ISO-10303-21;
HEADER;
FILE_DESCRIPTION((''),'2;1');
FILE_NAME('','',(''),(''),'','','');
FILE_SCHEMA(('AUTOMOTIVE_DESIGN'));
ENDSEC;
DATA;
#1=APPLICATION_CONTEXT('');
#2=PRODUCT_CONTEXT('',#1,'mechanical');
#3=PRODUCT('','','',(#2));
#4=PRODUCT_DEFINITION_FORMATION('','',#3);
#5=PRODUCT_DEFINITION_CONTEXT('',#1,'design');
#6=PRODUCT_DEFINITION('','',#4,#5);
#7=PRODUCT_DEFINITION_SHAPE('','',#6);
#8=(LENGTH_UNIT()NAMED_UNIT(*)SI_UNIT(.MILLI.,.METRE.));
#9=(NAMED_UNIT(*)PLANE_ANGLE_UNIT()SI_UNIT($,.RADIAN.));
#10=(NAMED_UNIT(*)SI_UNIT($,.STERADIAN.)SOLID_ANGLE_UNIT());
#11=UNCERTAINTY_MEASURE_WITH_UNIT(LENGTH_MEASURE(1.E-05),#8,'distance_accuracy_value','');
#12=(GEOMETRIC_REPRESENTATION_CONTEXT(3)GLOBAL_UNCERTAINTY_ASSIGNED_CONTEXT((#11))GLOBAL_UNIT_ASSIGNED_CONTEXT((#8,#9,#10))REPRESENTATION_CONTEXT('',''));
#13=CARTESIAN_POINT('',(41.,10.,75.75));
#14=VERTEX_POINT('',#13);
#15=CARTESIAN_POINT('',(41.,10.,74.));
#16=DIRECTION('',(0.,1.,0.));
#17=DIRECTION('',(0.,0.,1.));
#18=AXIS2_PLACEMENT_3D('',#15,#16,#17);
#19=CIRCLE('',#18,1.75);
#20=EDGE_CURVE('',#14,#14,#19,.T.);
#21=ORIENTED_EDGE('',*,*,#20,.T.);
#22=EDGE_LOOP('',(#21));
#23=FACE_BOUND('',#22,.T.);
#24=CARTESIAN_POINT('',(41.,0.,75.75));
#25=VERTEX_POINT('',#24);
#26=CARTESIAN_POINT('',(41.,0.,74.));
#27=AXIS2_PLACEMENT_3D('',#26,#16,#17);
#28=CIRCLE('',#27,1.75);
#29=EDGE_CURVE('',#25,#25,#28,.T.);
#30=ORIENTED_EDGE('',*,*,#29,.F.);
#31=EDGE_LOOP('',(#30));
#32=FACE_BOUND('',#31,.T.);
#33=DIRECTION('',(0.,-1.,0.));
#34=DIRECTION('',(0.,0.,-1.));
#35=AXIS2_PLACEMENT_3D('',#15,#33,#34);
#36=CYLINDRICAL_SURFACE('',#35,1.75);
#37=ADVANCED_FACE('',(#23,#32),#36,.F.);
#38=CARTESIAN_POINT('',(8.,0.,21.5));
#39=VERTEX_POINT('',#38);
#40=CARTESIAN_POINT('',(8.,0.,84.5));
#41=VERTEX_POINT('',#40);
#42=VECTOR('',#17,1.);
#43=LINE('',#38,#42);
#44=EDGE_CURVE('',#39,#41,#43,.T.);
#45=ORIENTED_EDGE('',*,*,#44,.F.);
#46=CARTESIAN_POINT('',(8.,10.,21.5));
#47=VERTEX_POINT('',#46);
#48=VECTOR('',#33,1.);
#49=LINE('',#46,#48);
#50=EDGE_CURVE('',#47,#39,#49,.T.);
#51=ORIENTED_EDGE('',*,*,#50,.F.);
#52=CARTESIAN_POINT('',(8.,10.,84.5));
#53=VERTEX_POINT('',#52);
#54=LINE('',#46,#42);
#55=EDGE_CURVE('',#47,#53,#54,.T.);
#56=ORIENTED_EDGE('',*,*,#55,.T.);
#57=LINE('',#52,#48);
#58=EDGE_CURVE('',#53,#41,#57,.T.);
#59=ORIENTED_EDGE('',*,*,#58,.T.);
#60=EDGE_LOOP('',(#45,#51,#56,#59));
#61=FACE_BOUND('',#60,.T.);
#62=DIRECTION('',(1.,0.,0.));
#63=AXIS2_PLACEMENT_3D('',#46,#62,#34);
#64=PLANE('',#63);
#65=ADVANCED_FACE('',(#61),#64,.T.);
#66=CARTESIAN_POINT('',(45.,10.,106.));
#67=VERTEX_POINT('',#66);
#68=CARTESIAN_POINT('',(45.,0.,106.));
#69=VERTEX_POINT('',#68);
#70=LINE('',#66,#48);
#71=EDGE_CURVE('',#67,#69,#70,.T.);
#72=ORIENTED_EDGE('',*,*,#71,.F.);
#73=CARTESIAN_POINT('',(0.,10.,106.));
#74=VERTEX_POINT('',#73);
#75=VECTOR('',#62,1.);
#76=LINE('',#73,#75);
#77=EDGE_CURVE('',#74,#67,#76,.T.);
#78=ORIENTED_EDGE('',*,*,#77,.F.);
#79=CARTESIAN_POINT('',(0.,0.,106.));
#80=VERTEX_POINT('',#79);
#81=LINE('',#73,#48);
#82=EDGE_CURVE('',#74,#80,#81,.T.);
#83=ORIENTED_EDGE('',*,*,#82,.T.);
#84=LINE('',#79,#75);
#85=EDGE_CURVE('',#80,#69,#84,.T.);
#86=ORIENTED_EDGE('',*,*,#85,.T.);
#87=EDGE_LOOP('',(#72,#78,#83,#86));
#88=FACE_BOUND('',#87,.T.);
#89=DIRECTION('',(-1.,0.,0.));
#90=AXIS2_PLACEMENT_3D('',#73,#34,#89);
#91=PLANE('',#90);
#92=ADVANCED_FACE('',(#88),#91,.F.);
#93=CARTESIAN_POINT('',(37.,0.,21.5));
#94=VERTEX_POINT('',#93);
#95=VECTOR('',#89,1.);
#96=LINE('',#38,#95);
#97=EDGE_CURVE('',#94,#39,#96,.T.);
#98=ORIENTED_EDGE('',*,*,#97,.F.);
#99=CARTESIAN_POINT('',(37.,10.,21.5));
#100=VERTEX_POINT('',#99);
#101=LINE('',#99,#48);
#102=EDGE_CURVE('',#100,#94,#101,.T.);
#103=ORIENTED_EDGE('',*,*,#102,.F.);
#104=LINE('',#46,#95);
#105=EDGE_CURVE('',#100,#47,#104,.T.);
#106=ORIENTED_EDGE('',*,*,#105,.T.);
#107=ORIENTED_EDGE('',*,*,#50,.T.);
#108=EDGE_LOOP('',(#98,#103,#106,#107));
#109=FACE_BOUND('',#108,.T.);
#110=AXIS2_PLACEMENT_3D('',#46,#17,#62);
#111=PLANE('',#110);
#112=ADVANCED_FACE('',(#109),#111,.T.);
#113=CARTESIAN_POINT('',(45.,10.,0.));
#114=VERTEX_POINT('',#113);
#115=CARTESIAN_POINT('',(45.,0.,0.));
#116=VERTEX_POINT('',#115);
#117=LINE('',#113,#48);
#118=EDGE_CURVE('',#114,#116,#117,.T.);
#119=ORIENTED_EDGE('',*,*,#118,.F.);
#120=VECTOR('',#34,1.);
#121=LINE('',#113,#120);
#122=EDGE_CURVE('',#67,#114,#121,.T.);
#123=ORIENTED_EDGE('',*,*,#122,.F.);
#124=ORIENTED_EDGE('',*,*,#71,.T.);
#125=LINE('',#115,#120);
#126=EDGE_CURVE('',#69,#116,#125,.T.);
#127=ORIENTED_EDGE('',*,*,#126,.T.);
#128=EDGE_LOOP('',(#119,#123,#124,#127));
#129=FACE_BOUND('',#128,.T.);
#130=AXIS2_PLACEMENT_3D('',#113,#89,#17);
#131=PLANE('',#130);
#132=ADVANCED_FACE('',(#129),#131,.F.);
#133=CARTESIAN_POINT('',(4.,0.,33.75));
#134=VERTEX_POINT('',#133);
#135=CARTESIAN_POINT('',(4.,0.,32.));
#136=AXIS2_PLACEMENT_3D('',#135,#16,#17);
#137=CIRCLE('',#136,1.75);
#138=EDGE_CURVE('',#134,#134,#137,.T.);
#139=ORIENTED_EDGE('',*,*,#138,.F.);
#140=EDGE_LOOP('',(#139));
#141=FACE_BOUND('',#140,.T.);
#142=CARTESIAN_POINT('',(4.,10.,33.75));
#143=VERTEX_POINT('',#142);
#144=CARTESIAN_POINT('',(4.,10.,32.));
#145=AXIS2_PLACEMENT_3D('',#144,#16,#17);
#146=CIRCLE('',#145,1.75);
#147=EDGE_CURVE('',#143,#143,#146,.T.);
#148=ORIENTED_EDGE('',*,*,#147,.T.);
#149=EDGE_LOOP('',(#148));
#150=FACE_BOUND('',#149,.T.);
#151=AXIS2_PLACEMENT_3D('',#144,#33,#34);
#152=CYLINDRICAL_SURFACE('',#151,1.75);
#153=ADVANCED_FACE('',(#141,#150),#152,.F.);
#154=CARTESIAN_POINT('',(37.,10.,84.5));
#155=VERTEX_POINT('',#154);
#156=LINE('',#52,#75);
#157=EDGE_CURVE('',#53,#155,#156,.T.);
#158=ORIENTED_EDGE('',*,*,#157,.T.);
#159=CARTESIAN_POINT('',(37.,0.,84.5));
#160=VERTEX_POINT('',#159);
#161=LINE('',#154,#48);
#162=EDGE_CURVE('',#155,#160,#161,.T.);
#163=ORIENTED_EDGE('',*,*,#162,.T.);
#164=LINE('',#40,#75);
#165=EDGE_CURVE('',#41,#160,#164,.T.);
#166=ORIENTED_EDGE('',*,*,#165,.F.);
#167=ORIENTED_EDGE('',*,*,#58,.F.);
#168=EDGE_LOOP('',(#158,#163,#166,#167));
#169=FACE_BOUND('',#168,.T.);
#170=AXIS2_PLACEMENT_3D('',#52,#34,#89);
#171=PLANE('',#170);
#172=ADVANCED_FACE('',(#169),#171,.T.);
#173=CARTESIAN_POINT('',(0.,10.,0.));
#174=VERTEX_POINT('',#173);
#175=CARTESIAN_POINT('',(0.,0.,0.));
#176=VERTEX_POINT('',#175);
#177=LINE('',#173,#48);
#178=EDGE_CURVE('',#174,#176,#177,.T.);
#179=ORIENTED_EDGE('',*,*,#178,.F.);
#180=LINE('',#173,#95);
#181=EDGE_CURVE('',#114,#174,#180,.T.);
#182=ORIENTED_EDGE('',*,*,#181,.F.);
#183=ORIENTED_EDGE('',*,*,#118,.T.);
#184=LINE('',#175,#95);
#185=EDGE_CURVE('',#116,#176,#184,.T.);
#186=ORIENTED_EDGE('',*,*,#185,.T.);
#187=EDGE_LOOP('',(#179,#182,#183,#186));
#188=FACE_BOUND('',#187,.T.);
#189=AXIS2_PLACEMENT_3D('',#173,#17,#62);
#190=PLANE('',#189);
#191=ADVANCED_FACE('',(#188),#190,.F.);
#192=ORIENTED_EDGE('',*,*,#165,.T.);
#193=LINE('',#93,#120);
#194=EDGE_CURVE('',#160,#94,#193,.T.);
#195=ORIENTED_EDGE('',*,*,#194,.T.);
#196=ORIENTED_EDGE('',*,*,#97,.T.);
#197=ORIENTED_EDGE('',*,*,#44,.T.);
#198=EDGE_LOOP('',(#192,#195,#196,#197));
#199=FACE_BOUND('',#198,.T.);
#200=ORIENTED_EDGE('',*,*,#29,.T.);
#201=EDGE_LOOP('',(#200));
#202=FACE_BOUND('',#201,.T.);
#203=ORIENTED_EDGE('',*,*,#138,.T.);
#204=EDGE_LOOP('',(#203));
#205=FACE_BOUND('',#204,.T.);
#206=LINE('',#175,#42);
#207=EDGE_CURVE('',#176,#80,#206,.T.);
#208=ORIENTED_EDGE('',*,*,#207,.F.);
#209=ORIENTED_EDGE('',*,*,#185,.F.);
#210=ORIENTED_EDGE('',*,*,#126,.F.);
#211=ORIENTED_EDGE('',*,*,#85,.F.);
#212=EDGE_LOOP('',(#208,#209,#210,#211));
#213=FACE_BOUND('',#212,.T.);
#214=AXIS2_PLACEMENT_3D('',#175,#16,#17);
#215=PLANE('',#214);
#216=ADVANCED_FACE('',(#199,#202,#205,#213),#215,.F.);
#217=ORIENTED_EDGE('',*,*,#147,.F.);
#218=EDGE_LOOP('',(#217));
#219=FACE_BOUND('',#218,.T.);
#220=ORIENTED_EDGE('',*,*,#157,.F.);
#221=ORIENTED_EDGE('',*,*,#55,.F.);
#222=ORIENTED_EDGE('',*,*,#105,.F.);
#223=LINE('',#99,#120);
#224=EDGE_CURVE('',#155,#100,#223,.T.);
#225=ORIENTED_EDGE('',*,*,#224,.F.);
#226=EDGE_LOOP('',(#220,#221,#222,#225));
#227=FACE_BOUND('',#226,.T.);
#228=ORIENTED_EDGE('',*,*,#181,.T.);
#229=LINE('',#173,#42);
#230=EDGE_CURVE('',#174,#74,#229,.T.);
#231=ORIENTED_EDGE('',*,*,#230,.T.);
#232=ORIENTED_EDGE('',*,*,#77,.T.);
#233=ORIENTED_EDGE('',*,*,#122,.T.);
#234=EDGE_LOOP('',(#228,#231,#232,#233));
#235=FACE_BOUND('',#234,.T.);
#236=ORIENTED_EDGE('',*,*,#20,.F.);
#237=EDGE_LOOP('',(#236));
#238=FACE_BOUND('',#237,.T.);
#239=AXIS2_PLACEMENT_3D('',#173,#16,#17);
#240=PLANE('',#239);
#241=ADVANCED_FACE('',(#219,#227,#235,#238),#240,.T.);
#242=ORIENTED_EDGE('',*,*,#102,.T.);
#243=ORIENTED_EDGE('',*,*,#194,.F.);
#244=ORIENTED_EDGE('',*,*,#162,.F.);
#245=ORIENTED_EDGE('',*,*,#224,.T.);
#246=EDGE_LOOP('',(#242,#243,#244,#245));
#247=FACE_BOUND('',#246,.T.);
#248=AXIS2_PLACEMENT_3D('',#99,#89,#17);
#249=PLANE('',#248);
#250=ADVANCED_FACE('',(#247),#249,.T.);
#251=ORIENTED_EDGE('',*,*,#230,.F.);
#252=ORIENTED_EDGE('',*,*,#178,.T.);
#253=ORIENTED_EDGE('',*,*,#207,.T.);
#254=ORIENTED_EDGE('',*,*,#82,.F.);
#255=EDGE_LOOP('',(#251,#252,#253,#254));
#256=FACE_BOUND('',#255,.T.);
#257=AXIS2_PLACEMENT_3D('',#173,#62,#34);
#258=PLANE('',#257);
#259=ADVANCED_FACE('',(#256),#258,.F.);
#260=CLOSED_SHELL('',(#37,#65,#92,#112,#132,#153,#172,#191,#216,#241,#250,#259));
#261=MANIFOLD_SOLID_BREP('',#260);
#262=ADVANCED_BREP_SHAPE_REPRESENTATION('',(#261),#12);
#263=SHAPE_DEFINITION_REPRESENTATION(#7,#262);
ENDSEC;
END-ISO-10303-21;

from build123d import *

# Parameters (mm, degrees)
SKETCH_1_W      = 45
SKETCH_1_H      = 106
SKETCH_1_R      = 1.75
SKETCH_1_W_2    = 29
SKETCH_1_H_2    = 63
EXTRUDE_1_DEPTH = 10


with BuildPart() as part:
    # 草图1 → 凸台-拉伸1 (new body)
    with BuildSketch(Plane(origin=(0, 0, 0), x_dir=(1, 0, 0), z_dir=(0, 1, 0))):
        with Locations((22.5, -53)):
            Rectangle(SKETCH_1_W, SKETCH_1_H)
        with Locations(Location((4, -32, 0), (0, 0, 270))):
            Circle(SKETCH_1_R, mode=Mode.SUBTRACT)
        with Locations(Location((41, -74, 0), (0, 0, 270))):
            Circle(SKETCH_1_R, mode=Mode.SUBTRACT)
        with Locations((22.5, -53)):
            Rectangle(SKETCH_1_W_2, SKETCH_1_H_2, mode=Mode.SUBTRACT)
    extrude(amount=EXTRUDE_1_DEPTH)


solid = part.part
